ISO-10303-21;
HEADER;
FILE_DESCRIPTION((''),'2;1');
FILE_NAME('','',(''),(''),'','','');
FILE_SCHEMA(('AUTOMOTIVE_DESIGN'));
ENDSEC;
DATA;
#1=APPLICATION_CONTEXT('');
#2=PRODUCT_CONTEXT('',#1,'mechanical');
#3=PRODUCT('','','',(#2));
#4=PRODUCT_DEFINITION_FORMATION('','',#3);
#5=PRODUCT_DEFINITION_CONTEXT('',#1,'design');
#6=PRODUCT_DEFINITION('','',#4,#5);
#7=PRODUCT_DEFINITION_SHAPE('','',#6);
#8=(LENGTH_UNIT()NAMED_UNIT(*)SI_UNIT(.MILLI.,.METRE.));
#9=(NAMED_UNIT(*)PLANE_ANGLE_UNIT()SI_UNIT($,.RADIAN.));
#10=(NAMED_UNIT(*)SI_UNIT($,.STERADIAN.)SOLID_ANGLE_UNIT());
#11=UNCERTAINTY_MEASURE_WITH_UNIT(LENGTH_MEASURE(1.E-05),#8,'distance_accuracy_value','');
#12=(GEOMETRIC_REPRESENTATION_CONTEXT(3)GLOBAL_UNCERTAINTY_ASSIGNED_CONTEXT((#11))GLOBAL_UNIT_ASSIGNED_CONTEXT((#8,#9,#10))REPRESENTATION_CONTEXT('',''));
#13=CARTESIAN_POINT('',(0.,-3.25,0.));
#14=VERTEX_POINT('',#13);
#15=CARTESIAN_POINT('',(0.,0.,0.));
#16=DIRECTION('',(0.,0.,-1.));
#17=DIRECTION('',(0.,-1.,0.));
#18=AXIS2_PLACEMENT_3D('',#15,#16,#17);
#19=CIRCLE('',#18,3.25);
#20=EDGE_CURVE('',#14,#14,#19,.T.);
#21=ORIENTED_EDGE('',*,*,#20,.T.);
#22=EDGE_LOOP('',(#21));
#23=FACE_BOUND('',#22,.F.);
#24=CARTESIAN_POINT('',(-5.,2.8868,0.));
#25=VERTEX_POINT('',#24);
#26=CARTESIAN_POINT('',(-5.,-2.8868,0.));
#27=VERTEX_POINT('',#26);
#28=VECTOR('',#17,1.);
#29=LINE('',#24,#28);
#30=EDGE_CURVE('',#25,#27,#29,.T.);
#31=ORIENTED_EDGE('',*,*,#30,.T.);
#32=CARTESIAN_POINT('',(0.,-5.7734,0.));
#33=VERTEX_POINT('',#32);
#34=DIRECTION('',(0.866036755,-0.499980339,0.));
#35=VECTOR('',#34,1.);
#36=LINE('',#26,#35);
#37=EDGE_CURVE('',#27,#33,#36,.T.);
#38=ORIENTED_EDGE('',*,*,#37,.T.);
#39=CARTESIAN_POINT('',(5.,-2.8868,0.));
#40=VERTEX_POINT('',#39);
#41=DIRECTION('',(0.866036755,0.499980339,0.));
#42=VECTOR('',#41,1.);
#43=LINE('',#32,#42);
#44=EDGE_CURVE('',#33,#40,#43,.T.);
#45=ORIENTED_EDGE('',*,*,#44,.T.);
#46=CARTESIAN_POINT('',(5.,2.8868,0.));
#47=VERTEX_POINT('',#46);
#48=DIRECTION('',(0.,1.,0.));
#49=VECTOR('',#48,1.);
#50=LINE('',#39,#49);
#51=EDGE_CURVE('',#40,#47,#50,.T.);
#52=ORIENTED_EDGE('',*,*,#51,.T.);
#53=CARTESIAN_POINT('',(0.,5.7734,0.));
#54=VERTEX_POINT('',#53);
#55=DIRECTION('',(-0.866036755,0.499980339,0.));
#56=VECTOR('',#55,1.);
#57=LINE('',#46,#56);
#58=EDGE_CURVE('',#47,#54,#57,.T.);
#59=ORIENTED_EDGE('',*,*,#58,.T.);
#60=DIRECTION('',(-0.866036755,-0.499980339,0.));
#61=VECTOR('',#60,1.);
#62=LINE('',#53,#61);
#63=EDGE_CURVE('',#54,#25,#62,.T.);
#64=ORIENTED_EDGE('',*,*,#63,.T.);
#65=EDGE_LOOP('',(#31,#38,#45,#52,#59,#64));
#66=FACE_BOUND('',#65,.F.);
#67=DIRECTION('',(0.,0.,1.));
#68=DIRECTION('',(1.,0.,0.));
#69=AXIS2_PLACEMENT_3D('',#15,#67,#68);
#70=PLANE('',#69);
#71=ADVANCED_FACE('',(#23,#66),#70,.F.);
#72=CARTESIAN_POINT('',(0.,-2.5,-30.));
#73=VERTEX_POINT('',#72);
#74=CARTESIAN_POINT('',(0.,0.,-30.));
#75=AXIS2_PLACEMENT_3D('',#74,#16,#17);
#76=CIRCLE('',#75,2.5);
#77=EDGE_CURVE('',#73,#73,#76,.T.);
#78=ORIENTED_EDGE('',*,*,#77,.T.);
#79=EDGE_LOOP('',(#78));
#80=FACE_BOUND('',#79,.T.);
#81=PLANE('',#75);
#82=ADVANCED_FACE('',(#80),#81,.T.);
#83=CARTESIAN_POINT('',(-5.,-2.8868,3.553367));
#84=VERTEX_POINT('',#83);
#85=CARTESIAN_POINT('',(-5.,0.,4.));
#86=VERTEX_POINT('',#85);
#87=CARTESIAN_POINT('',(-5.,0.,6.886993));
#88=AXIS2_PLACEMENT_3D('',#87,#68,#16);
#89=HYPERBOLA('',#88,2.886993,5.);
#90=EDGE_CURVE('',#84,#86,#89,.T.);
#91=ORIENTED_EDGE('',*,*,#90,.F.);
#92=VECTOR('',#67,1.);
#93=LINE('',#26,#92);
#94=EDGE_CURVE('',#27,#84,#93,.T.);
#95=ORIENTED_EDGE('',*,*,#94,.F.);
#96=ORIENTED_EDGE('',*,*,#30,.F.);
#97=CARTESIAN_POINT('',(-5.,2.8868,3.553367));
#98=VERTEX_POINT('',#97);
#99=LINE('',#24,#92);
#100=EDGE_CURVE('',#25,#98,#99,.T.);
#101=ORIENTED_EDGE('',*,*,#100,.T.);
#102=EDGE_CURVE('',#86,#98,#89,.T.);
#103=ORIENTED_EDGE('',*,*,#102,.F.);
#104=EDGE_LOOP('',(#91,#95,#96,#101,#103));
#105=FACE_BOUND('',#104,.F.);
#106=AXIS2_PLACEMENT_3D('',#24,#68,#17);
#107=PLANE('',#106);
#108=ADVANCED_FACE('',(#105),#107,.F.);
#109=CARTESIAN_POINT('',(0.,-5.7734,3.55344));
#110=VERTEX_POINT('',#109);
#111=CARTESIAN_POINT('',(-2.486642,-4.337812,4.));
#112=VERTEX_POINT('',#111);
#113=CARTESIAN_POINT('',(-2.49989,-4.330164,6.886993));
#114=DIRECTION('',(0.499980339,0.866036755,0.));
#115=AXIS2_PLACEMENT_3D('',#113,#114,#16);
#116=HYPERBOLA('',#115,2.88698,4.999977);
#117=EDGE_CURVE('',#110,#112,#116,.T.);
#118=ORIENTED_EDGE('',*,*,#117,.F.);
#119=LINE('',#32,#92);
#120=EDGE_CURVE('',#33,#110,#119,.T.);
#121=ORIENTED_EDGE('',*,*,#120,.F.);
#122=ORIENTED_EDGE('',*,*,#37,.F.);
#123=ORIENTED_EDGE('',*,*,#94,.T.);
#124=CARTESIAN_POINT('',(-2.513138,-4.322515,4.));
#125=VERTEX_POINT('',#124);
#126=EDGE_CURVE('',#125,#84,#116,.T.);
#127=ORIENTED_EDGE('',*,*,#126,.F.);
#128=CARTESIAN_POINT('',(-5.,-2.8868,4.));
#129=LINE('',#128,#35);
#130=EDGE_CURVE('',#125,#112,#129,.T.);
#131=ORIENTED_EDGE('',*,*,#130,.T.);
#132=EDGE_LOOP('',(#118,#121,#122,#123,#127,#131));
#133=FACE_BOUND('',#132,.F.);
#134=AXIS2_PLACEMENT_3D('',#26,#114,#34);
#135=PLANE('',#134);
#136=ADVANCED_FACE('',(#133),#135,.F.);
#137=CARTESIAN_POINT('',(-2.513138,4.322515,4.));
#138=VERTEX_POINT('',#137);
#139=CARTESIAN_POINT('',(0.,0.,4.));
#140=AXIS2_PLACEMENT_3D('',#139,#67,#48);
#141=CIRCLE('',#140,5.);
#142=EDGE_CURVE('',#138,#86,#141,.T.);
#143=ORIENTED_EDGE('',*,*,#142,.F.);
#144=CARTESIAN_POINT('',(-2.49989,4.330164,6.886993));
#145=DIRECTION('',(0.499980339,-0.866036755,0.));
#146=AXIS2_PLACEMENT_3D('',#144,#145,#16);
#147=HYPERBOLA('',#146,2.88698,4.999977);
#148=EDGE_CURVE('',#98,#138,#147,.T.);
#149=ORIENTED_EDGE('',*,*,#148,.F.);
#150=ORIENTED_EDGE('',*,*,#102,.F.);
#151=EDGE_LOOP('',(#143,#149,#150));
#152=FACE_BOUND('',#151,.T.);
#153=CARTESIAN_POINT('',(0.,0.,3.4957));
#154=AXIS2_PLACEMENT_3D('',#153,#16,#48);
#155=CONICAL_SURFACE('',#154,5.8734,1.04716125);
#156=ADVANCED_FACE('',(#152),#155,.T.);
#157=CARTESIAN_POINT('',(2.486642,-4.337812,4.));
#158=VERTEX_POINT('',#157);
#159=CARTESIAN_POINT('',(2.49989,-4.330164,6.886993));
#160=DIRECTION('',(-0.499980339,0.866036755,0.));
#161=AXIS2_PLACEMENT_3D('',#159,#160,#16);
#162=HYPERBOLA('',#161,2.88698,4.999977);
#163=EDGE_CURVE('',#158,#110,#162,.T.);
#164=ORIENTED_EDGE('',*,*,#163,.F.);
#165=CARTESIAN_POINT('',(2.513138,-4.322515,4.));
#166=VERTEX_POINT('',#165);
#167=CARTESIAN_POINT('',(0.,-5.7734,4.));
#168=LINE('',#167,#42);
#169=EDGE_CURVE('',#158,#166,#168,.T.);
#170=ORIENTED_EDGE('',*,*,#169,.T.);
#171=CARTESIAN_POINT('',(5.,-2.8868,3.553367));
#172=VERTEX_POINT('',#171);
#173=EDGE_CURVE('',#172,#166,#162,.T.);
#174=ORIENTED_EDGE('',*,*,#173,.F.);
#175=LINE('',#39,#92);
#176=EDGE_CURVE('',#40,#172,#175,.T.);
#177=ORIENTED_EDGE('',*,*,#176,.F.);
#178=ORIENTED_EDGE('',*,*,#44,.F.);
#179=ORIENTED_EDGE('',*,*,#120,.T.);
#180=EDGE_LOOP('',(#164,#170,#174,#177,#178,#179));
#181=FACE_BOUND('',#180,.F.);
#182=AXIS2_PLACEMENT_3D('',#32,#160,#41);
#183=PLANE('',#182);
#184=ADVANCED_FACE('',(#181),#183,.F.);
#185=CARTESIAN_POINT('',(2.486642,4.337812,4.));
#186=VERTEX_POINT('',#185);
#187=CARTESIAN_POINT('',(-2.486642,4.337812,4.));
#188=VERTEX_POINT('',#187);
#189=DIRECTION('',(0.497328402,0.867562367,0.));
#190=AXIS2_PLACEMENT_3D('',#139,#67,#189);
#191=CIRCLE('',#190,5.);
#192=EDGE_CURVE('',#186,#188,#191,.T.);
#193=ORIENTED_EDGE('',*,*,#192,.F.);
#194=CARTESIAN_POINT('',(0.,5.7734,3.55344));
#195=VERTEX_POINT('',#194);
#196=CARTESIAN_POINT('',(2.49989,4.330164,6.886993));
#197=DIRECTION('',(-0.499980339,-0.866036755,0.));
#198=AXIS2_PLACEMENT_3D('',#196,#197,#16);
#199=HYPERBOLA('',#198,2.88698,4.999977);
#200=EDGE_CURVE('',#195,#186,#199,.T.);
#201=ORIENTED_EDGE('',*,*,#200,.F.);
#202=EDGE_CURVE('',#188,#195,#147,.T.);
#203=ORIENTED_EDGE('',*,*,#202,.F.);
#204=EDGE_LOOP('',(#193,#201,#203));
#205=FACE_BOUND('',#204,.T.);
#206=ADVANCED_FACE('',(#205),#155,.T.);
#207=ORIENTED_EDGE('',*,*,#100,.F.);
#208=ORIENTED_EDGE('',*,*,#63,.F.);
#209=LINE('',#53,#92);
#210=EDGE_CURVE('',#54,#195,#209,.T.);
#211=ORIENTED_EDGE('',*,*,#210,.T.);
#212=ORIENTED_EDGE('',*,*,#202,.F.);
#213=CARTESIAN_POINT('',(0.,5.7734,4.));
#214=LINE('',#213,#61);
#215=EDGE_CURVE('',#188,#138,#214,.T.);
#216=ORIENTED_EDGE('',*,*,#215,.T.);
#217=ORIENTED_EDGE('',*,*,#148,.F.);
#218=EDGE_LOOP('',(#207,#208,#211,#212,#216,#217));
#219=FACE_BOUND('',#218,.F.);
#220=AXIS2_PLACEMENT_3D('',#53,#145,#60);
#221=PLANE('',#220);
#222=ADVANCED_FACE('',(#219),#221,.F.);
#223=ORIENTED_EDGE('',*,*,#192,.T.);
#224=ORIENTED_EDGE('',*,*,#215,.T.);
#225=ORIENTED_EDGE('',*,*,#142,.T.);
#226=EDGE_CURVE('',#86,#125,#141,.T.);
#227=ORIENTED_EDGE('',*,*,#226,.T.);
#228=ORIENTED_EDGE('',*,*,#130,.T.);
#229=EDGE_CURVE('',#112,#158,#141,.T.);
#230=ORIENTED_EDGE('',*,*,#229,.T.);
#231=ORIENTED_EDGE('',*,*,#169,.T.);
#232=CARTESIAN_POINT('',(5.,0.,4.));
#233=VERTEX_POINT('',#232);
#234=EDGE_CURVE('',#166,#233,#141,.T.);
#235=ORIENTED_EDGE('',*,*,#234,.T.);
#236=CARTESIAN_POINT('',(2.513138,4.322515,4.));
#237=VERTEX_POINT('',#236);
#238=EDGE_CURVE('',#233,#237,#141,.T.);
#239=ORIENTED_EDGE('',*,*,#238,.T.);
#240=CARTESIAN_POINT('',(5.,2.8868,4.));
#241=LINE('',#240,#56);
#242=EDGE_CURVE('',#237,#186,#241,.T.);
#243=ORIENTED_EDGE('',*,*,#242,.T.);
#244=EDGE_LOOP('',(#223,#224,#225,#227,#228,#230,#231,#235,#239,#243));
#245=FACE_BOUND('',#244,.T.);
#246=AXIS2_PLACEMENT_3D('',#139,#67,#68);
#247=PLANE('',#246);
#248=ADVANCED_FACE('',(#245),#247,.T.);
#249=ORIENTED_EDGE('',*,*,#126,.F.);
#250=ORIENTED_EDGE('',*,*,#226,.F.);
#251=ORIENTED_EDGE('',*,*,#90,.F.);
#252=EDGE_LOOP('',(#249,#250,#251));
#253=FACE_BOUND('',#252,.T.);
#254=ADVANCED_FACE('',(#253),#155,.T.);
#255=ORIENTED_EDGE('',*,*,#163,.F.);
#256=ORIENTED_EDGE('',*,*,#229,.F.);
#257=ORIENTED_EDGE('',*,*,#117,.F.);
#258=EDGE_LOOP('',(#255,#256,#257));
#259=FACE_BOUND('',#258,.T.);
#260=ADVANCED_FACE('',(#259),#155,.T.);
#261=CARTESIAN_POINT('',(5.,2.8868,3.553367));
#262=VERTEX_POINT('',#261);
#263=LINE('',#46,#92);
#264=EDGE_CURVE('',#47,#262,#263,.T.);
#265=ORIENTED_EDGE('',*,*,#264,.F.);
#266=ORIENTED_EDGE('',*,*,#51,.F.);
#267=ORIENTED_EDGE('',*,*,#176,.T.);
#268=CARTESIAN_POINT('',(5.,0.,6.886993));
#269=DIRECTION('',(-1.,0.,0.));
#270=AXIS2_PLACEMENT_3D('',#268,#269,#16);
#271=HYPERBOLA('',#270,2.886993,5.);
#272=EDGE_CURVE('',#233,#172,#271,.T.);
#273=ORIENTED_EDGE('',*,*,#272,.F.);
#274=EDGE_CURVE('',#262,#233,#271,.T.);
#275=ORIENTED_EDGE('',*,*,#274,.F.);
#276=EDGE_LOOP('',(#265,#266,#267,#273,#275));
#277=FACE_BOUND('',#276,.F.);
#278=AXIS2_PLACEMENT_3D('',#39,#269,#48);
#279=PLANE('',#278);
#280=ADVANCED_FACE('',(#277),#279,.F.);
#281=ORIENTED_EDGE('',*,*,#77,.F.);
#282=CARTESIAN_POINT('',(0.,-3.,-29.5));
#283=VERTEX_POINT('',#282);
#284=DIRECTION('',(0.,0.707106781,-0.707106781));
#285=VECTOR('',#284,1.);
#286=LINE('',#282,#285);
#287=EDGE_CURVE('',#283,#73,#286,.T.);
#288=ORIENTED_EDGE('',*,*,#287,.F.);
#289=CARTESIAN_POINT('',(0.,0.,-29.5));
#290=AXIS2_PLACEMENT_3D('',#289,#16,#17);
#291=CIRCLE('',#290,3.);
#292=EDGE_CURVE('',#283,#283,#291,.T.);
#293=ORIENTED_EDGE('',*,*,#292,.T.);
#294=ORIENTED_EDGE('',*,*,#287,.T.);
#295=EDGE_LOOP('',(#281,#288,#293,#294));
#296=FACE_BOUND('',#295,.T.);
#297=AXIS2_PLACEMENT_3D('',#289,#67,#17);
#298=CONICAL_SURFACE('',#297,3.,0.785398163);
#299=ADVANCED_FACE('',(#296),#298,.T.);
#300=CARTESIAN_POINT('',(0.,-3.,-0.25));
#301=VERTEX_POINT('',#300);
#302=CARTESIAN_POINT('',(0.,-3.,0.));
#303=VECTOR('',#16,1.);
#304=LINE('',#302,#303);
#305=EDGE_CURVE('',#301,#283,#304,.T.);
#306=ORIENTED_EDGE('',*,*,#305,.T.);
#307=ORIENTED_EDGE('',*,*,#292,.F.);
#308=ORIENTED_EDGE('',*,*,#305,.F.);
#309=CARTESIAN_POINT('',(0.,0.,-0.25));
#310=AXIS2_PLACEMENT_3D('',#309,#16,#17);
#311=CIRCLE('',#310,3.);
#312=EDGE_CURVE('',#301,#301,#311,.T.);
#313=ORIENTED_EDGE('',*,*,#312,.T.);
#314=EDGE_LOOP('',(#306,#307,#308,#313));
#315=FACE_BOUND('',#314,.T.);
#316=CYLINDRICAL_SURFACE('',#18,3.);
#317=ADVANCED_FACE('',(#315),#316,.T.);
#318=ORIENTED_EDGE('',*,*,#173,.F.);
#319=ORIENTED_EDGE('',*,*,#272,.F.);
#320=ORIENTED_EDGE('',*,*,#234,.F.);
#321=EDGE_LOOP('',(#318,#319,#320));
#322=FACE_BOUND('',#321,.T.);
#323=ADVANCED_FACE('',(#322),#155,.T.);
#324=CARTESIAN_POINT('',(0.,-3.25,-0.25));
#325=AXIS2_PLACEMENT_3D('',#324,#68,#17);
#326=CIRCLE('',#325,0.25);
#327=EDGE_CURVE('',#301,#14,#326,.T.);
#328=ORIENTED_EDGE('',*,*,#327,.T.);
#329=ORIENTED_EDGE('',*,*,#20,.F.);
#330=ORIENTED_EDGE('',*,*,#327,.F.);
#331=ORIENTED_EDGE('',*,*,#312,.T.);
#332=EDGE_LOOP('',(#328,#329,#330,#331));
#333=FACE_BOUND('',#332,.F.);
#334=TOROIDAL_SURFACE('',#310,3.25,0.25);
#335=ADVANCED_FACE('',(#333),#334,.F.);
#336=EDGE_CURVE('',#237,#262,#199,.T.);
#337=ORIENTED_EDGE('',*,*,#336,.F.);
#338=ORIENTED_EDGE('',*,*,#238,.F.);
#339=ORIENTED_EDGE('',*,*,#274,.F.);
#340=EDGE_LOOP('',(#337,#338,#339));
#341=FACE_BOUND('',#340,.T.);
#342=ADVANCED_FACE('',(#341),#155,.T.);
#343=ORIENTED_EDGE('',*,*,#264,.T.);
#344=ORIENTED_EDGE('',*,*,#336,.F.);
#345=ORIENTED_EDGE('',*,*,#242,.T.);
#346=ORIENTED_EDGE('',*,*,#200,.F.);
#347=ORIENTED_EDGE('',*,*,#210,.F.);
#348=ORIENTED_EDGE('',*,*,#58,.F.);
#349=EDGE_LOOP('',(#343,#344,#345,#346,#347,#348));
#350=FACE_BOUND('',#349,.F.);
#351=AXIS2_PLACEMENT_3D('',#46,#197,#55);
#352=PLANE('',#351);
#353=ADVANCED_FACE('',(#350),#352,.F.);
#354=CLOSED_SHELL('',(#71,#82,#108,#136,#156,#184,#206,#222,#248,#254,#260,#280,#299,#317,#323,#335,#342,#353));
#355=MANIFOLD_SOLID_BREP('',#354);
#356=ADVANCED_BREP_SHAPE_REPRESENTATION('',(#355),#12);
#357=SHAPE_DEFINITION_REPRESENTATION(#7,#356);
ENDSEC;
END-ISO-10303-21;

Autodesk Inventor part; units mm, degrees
ref_plane "WorkPlane1" through (0, 0, 0) normal (0, 0, 1) x (1, 0, 0)
sketch "Sketch1" plane through (0, 0, 0) normal (0, 0, 1) x (1, 0, 0)
  point P0 (0, 0)
sketch "Sketch2" plane through (0, 0, 0) normal (0, 0, 1) x (1, 0, 0)
  line L0 (-5, 2.8868) -> (-5, -2.8868)
  line L1 (0, 5.7734) -> (-5, 2.8868)
  line L2 (5, 2.8868) -> (0, 5.7734)
  line L3 (5, -2.8868) -> (5, 2.8868)
  line L4 (0, -5.7734) -> (5, -2.8868)
  line L5 (-5, -2.8868) -> (0, -5.7734)
  circle A0 centre (0, 0) radius 5 construction
  dimension "d1" = 10
  dimension "d29" = 0
  dimension "d30" = 0
extrude "Extrusion1" add sketch "Sketch2" along normal blind 4
sketch "Sketch3" plane through (0, 0, 0) normal (1, 0, 0) x (0, 1, 0)
  line L0 (5, 4) -> (5.8734, 4)
  line L1 (5.8734, 3.4957) -> (5, 4)
  line L2 (5.8734, 4) -> (5.8734, 3.4957)
  line L3 (0, -0.8) -> (0, 4.8) projected
  line L4 (5.7734, 0) -> (5.7734, 4) projected
  dimension "d25" = 0.1
  dimension "d26" = 0
  dimension "d27" = 60
  dimension "d28" = 5
revolve "Revolution1" cut sketch "Sketch3" angle 360 about axis through (0, 0, -10) along (0, 0, 1)
sketch "Sketch4" plane through (0, 0, 0) normal (1, 0, 0) x (0, 1, 0)
  line L0 (0, -30) -> (0, 0)
  line L1 (-3, -30) -> (0, -30)
  line L2 (-3, 0) -> (-3, -30)
  line L3 (0, 0) -> (-3, 0)
  line L4 (0, -30) -> (0, 0)
  line L5 (-3.6, 0) -> (0.6, 0) projected
  line L6 (0, -36) -> (0, 6) projected
  dimension "d18" = 3
  dimension "d20" = 30
  dimension "d33" = 0
  dimension "d34" = 0
revolve "Revolution2" add sketch "Sketch4" angle 360 about axis through (0, 0, -30) along (0, 0, -1)
chamfer "Chamfer1" distance 0.5 angle 45 1 edges at (0, 3, -30)
fillet "Fillet1" radius 0.25 1 edges at (0, 3, 0)
thread "Thread1" size "M6x1" class "6g" standard "ISO Metric profile" length 18
ref_plane "MSC_PF1" through (0, 0, 0) normal (1, 0, 0) x (0, 1, 0)
ref_plane "MSC_PT1" through (0, 0, 0) normal (0, 0, -1) x (-1, 0, 0)
equation "\"d22\" = 0.5 * PTC"
equation "\"d23\" = 0.5 * PTC"
equation "\"d24\" = r"
equation "\"d1\" = ParS"
equation "\"d6\" = ParK"
equation "\"d28\" = 0.5 * ParS"
equation "\"d18\" = 0.5 * NND"
equation "\"d20\" = NLG"
equation "\"NND\" = 6"
equation "\"NLG\" = 30"
equation "\"PTC\" = 1"
equation "\"ParK\" = 4"
equation "\"ParS\" = 10"
equation "\"msp_es\" = 0.577367 * ParS"
equation "\"r\" = 0.25"
equation "\"THREADDIA\" = NND"
properties part number "ISO 4016 - M6 x 30" material "Steel"
